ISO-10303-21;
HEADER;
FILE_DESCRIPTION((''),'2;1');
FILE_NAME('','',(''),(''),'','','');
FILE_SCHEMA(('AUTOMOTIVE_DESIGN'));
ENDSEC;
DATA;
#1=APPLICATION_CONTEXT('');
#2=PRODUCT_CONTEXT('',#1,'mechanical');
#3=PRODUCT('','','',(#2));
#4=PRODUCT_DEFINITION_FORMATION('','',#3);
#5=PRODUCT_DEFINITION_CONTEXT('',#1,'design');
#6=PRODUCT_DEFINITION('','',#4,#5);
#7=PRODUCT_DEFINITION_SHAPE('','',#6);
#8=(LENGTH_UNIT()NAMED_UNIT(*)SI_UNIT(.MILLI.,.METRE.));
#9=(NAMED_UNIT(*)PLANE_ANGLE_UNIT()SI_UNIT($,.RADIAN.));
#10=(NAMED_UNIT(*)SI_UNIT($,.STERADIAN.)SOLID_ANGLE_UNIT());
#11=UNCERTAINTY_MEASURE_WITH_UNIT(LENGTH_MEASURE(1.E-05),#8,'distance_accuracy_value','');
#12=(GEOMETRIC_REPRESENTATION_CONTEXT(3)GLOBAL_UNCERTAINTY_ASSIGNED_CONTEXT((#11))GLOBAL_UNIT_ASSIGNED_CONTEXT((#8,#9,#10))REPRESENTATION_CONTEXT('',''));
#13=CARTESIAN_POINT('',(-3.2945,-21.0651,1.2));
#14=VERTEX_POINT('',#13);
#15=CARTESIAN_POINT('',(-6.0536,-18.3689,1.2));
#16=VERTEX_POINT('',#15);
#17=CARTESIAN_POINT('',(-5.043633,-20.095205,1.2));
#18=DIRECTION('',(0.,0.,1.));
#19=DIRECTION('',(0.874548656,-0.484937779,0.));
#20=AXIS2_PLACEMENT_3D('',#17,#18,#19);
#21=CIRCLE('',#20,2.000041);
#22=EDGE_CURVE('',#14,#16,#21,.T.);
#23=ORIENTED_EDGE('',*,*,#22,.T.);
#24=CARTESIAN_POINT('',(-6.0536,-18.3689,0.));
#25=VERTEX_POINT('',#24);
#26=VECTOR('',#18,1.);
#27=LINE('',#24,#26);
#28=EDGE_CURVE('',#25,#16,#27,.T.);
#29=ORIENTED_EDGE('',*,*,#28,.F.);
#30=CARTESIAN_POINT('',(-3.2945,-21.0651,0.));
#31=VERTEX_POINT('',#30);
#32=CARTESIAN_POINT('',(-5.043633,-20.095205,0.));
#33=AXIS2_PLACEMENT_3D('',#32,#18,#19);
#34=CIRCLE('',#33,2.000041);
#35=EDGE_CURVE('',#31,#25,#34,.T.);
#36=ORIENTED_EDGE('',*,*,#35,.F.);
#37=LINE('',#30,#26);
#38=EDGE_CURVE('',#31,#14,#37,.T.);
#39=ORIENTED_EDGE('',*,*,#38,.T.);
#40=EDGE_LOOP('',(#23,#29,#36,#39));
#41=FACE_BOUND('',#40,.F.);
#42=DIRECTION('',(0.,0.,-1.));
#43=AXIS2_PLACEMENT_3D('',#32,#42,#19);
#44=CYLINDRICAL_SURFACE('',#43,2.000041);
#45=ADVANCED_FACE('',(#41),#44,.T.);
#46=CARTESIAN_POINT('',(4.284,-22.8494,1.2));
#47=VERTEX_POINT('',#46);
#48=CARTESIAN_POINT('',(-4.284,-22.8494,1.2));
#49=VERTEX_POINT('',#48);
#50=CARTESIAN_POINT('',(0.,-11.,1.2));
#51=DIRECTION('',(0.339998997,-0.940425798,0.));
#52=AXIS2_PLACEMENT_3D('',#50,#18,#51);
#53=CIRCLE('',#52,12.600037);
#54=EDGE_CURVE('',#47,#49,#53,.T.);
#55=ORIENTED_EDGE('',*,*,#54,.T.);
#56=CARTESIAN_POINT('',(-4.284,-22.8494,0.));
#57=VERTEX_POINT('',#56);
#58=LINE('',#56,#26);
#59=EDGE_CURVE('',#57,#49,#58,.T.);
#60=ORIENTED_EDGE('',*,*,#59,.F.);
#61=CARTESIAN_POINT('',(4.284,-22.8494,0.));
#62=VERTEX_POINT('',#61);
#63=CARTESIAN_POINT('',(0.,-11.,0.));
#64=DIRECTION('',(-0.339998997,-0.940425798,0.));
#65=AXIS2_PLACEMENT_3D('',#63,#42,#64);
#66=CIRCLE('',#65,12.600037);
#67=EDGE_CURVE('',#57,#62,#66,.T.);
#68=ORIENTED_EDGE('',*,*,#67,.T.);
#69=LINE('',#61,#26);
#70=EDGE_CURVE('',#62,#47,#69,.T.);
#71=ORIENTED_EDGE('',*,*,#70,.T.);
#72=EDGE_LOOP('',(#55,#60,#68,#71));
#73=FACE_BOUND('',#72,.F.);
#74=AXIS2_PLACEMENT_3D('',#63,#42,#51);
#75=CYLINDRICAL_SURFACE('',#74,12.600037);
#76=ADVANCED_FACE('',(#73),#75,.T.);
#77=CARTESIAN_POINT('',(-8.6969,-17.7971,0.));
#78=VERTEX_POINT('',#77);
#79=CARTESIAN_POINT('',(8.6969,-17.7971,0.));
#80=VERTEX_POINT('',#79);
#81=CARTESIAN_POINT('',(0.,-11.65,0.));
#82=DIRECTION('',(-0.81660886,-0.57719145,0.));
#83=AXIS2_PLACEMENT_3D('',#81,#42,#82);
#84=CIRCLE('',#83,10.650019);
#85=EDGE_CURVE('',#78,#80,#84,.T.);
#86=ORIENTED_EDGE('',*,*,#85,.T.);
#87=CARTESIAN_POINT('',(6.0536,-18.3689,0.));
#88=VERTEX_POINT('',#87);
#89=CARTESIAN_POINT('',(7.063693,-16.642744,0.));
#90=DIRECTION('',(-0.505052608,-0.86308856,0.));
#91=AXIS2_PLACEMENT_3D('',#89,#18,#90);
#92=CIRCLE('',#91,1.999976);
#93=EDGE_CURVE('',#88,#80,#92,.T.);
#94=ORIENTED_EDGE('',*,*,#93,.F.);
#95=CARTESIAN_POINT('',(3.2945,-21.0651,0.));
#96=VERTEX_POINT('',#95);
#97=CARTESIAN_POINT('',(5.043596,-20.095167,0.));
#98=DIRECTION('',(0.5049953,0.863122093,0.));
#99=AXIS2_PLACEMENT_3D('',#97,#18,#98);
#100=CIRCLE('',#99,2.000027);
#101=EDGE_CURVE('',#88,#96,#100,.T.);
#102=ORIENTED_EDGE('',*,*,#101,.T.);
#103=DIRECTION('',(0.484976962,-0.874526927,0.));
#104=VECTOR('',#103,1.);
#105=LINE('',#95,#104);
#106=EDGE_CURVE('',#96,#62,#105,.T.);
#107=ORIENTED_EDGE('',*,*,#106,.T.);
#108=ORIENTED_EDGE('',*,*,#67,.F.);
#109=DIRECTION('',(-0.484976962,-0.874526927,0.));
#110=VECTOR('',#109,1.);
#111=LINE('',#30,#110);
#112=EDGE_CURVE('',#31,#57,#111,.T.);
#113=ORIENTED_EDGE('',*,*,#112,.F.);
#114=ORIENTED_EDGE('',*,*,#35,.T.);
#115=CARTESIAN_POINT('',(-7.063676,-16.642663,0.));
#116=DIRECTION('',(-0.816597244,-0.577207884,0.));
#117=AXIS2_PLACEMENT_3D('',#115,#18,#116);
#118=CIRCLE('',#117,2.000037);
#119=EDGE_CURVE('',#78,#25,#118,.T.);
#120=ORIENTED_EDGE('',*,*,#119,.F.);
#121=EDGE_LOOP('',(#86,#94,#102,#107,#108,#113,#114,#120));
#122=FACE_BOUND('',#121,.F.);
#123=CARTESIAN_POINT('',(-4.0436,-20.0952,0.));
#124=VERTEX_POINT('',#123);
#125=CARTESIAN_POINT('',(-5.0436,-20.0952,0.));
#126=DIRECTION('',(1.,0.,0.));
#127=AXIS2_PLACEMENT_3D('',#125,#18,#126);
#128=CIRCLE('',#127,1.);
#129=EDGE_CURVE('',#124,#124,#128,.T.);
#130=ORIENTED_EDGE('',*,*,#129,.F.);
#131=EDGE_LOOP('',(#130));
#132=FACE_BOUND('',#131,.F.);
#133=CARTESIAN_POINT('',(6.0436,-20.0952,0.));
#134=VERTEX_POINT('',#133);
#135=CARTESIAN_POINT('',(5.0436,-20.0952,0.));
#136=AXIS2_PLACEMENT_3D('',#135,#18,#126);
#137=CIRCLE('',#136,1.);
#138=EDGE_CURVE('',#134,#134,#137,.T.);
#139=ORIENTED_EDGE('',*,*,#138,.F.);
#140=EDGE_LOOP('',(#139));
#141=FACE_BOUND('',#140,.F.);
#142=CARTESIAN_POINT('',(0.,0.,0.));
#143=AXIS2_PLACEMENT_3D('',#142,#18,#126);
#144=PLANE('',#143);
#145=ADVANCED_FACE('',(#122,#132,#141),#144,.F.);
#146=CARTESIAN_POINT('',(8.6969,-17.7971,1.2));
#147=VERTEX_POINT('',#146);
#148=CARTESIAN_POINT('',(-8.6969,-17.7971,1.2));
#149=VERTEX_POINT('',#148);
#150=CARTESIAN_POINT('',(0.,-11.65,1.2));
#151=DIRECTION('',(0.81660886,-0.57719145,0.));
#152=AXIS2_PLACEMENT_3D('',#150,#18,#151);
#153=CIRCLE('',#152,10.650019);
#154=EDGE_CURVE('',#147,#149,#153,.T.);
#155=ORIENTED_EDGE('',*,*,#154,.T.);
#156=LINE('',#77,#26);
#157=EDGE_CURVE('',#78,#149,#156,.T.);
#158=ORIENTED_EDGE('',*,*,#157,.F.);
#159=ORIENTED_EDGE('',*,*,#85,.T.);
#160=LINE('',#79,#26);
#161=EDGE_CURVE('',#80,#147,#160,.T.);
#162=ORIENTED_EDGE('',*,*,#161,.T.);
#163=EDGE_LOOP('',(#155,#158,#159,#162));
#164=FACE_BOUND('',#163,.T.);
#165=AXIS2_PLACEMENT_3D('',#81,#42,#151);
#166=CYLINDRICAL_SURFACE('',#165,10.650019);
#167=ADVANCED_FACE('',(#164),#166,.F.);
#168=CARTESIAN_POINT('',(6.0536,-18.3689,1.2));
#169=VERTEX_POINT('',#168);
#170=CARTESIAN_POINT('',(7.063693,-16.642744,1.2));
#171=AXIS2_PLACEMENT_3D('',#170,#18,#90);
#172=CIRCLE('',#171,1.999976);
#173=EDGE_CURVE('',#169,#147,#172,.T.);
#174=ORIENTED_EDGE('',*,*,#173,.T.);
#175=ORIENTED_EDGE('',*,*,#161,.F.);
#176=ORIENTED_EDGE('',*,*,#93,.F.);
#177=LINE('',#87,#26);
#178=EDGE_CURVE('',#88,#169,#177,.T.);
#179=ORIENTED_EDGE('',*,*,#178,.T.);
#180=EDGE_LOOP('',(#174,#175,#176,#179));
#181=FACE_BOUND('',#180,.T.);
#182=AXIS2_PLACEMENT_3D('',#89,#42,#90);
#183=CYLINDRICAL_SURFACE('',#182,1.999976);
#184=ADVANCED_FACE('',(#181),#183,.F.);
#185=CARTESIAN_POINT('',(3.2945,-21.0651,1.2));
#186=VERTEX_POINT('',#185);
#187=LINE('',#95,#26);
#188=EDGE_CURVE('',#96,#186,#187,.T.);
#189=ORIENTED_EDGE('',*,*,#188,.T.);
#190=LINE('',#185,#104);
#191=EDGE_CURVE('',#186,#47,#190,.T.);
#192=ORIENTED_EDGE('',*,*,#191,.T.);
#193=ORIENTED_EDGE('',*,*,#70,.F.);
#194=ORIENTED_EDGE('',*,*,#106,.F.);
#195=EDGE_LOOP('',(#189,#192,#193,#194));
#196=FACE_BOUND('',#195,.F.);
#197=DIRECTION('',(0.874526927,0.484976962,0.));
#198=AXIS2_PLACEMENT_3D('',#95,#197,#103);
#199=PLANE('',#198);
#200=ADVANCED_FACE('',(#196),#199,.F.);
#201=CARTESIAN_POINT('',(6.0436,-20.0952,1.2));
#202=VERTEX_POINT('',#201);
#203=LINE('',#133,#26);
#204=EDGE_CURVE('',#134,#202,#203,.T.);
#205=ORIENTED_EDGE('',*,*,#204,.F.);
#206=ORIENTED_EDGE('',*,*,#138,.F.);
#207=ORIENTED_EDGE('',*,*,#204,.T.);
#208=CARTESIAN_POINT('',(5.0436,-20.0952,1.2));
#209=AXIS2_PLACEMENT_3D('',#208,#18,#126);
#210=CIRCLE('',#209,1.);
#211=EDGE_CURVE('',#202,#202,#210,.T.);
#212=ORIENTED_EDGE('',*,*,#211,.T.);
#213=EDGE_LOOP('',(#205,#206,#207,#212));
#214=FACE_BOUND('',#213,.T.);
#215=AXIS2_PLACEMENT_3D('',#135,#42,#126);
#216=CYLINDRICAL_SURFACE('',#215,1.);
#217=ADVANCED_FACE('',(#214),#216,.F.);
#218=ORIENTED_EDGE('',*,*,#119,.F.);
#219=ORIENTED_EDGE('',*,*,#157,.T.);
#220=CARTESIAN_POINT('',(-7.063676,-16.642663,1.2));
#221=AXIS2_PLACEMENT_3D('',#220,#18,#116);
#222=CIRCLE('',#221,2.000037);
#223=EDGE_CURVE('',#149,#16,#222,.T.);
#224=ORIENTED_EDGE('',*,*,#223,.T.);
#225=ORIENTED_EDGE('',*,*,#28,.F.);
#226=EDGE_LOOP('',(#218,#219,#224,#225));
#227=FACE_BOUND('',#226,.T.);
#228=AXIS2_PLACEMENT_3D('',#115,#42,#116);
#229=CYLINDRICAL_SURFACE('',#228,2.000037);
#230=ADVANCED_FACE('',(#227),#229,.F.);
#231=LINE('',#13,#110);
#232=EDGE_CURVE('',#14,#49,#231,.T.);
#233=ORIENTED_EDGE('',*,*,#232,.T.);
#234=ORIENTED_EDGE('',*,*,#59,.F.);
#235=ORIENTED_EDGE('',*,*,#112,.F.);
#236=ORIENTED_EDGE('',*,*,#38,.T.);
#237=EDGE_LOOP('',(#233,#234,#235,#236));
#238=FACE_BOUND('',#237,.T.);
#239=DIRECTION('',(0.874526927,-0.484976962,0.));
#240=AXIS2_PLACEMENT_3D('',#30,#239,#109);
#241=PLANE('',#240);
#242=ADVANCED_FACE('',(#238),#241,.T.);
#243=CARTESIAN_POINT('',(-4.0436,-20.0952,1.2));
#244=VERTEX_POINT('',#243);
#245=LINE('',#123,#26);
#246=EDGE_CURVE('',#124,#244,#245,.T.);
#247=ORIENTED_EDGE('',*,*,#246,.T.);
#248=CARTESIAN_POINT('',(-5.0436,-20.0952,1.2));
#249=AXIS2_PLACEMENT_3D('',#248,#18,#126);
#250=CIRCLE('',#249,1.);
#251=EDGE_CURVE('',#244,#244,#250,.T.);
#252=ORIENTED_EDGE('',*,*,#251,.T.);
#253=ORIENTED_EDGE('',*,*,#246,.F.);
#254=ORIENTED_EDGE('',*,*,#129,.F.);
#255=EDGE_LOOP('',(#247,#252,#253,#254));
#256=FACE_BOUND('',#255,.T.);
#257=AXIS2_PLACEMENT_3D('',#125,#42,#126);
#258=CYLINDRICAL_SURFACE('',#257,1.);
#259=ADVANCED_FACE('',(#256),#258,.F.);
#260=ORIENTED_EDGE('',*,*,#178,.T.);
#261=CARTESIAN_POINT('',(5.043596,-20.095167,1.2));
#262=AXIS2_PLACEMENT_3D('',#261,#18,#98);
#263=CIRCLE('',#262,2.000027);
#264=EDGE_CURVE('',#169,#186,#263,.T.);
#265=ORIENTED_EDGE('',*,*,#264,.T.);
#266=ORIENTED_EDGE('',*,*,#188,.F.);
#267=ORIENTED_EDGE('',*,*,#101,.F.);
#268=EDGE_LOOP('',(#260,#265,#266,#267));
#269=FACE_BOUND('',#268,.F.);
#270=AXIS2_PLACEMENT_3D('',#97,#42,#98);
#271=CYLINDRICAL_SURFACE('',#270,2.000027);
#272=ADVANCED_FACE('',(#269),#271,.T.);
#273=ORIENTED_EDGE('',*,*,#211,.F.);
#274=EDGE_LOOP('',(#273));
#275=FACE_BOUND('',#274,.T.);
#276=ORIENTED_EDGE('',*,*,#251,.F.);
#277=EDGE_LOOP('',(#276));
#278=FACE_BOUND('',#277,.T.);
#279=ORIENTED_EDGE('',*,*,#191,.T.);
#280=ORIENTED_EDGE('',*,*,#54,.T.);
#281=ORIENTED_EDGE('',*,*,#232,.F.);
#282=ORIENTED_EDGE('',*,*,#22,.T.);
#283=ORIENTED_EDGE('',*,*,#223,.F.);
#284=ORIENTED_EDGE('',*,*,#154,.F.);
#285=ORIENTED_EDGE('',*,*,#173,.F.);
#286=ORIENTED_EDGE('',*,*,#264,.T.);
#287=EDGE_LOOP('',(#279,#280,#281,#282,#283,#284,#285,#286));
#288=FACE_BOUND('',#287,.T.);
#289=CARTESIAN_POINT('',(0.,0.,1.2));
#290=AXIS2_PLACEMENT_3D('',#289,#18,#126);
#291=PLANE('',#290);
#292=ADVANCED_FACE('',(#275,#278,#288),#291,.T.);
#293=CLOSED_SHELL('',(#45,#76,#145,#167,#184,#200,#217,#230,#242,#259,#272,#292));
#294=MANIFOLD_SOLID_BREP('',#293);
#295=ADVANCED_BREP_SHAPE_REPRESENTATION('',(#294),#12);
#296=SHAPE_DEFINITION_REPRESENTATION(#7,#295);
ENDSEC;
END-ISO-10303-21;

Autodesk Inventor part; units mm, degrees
ref_plane "YZ Plane" through (0, 0, 0) normal (1, 0, 0) x (0, 1, 0)
ref_plane "XZ Plane" through (0, 0, 0) normal (0, 1, 0) x (-1, 0, 0)
sketch "Sketch1" plane through (0, 0, 0) normal (0, 0, 1) x (1, 0, 0)
  arc A0 (8.6969, -17.7971) -> (-8.6969, -17.7971) centre (0, -11.65) ccw
  line L0 (0, 15.1128) -> (0, -73.1766) projected
  line L1 (-45.5, 0) -> (45.5, 0) projected
  line L2 (-4.9645, 1.6) -> (1.5024, 1.6) construction
  arc A1 (4.284, -22.8494) -> (-4.284, -22.8494) centre (0, -11) ccw
  line L3 (0, -1) -> (-5.3069, -1) construction
  line L4 (0, -11) -> (-6.1105, -22.0191) construction
  line L5 (-6.1105, -22.0191) -> (-19.1307, -14.799) construction
  line L6 (-5.0436, -20.0952) -> (-15.1669, -14.4814) construction
  circle A2 centre (-5.0436, -20.0952) radius 1
  arc A3 (-3.2945, -21.0651) -> (-6.0536, -18.3689) centre (-5.0436, -20.0952) ccw
  arc A4 (-8.6969, -17.7971) -> (-6.0536, -18.3689) centre (-7.0637, -16.6427) ccw
  line L7 (-3.2945, -21.0651) -> (-4.284, -22.8494)
  circle A5 centre (5.0436, -20.0952) radius 1
  arc A6 (6.0536, -18.3689) -> (3.2945, -21.0651) centre (5.0436, -20.0952) ccw
  arc A7 (6.0536, -18.3689) -> (8.6969, -17.7971) centre (7.0637, -16.6427) ccw
  line L8 (3.2945, -21.0651) -> (4.284, -22.8494)
  point P0 (-12.3228, -16.0586)
  point P1 (6.1105, -22.0191)
  dimension "d8" = 0.65
  dimension "d38" = 2.6
  dimension "d39" = 11
  dimension "d43" = 12.6
  dimension "d45" = 2.2
  dimension "d46" = 2
  dimension "d47" = 4.284
  dimension "d48" = 2
  dimension "d49" = 2
extrude "Body" add sketch "Sketch1" along normal blind 1.2
ref_plane "Work Plane1" through (0, -11.65, 0) normal (1, 0, 0) x (0, 0, 1)
equation "\"d8\" = 0.25 * SRB1"
equation "\"d38\" = SRB1"
equation "\"d39\" = 0.5 * WD"
equation "\"d43\" = 0.5 * ND"
equation "\"d45\" = 0.5 * SRB2"
equation "\"d46\" = SD5"
equation "\"d47\" = 0.17 * ND"
equation "\"d48\" = SD5"
equation "\"d49\" = SD5"
equation "\"d2\" = SD"
equation "\"WD\" = WDMIN"
equation "\"SD\" = 1.2"
equation "\"SRB1\" = 2.6"
equation "\"ND\" = 25.2"
equation "\"SRB2\" = 4.4"
equation "\"SD5\" = 2"
equation "\"WDMIN\" = 22"
equation "\"SD6\" = 25.9"
equation "\"NND\" = 24"
equation "\"WDMAX\" = NND"
properties part number "DIN 472 - 24 x 1.2" material "Steel, Mild"
